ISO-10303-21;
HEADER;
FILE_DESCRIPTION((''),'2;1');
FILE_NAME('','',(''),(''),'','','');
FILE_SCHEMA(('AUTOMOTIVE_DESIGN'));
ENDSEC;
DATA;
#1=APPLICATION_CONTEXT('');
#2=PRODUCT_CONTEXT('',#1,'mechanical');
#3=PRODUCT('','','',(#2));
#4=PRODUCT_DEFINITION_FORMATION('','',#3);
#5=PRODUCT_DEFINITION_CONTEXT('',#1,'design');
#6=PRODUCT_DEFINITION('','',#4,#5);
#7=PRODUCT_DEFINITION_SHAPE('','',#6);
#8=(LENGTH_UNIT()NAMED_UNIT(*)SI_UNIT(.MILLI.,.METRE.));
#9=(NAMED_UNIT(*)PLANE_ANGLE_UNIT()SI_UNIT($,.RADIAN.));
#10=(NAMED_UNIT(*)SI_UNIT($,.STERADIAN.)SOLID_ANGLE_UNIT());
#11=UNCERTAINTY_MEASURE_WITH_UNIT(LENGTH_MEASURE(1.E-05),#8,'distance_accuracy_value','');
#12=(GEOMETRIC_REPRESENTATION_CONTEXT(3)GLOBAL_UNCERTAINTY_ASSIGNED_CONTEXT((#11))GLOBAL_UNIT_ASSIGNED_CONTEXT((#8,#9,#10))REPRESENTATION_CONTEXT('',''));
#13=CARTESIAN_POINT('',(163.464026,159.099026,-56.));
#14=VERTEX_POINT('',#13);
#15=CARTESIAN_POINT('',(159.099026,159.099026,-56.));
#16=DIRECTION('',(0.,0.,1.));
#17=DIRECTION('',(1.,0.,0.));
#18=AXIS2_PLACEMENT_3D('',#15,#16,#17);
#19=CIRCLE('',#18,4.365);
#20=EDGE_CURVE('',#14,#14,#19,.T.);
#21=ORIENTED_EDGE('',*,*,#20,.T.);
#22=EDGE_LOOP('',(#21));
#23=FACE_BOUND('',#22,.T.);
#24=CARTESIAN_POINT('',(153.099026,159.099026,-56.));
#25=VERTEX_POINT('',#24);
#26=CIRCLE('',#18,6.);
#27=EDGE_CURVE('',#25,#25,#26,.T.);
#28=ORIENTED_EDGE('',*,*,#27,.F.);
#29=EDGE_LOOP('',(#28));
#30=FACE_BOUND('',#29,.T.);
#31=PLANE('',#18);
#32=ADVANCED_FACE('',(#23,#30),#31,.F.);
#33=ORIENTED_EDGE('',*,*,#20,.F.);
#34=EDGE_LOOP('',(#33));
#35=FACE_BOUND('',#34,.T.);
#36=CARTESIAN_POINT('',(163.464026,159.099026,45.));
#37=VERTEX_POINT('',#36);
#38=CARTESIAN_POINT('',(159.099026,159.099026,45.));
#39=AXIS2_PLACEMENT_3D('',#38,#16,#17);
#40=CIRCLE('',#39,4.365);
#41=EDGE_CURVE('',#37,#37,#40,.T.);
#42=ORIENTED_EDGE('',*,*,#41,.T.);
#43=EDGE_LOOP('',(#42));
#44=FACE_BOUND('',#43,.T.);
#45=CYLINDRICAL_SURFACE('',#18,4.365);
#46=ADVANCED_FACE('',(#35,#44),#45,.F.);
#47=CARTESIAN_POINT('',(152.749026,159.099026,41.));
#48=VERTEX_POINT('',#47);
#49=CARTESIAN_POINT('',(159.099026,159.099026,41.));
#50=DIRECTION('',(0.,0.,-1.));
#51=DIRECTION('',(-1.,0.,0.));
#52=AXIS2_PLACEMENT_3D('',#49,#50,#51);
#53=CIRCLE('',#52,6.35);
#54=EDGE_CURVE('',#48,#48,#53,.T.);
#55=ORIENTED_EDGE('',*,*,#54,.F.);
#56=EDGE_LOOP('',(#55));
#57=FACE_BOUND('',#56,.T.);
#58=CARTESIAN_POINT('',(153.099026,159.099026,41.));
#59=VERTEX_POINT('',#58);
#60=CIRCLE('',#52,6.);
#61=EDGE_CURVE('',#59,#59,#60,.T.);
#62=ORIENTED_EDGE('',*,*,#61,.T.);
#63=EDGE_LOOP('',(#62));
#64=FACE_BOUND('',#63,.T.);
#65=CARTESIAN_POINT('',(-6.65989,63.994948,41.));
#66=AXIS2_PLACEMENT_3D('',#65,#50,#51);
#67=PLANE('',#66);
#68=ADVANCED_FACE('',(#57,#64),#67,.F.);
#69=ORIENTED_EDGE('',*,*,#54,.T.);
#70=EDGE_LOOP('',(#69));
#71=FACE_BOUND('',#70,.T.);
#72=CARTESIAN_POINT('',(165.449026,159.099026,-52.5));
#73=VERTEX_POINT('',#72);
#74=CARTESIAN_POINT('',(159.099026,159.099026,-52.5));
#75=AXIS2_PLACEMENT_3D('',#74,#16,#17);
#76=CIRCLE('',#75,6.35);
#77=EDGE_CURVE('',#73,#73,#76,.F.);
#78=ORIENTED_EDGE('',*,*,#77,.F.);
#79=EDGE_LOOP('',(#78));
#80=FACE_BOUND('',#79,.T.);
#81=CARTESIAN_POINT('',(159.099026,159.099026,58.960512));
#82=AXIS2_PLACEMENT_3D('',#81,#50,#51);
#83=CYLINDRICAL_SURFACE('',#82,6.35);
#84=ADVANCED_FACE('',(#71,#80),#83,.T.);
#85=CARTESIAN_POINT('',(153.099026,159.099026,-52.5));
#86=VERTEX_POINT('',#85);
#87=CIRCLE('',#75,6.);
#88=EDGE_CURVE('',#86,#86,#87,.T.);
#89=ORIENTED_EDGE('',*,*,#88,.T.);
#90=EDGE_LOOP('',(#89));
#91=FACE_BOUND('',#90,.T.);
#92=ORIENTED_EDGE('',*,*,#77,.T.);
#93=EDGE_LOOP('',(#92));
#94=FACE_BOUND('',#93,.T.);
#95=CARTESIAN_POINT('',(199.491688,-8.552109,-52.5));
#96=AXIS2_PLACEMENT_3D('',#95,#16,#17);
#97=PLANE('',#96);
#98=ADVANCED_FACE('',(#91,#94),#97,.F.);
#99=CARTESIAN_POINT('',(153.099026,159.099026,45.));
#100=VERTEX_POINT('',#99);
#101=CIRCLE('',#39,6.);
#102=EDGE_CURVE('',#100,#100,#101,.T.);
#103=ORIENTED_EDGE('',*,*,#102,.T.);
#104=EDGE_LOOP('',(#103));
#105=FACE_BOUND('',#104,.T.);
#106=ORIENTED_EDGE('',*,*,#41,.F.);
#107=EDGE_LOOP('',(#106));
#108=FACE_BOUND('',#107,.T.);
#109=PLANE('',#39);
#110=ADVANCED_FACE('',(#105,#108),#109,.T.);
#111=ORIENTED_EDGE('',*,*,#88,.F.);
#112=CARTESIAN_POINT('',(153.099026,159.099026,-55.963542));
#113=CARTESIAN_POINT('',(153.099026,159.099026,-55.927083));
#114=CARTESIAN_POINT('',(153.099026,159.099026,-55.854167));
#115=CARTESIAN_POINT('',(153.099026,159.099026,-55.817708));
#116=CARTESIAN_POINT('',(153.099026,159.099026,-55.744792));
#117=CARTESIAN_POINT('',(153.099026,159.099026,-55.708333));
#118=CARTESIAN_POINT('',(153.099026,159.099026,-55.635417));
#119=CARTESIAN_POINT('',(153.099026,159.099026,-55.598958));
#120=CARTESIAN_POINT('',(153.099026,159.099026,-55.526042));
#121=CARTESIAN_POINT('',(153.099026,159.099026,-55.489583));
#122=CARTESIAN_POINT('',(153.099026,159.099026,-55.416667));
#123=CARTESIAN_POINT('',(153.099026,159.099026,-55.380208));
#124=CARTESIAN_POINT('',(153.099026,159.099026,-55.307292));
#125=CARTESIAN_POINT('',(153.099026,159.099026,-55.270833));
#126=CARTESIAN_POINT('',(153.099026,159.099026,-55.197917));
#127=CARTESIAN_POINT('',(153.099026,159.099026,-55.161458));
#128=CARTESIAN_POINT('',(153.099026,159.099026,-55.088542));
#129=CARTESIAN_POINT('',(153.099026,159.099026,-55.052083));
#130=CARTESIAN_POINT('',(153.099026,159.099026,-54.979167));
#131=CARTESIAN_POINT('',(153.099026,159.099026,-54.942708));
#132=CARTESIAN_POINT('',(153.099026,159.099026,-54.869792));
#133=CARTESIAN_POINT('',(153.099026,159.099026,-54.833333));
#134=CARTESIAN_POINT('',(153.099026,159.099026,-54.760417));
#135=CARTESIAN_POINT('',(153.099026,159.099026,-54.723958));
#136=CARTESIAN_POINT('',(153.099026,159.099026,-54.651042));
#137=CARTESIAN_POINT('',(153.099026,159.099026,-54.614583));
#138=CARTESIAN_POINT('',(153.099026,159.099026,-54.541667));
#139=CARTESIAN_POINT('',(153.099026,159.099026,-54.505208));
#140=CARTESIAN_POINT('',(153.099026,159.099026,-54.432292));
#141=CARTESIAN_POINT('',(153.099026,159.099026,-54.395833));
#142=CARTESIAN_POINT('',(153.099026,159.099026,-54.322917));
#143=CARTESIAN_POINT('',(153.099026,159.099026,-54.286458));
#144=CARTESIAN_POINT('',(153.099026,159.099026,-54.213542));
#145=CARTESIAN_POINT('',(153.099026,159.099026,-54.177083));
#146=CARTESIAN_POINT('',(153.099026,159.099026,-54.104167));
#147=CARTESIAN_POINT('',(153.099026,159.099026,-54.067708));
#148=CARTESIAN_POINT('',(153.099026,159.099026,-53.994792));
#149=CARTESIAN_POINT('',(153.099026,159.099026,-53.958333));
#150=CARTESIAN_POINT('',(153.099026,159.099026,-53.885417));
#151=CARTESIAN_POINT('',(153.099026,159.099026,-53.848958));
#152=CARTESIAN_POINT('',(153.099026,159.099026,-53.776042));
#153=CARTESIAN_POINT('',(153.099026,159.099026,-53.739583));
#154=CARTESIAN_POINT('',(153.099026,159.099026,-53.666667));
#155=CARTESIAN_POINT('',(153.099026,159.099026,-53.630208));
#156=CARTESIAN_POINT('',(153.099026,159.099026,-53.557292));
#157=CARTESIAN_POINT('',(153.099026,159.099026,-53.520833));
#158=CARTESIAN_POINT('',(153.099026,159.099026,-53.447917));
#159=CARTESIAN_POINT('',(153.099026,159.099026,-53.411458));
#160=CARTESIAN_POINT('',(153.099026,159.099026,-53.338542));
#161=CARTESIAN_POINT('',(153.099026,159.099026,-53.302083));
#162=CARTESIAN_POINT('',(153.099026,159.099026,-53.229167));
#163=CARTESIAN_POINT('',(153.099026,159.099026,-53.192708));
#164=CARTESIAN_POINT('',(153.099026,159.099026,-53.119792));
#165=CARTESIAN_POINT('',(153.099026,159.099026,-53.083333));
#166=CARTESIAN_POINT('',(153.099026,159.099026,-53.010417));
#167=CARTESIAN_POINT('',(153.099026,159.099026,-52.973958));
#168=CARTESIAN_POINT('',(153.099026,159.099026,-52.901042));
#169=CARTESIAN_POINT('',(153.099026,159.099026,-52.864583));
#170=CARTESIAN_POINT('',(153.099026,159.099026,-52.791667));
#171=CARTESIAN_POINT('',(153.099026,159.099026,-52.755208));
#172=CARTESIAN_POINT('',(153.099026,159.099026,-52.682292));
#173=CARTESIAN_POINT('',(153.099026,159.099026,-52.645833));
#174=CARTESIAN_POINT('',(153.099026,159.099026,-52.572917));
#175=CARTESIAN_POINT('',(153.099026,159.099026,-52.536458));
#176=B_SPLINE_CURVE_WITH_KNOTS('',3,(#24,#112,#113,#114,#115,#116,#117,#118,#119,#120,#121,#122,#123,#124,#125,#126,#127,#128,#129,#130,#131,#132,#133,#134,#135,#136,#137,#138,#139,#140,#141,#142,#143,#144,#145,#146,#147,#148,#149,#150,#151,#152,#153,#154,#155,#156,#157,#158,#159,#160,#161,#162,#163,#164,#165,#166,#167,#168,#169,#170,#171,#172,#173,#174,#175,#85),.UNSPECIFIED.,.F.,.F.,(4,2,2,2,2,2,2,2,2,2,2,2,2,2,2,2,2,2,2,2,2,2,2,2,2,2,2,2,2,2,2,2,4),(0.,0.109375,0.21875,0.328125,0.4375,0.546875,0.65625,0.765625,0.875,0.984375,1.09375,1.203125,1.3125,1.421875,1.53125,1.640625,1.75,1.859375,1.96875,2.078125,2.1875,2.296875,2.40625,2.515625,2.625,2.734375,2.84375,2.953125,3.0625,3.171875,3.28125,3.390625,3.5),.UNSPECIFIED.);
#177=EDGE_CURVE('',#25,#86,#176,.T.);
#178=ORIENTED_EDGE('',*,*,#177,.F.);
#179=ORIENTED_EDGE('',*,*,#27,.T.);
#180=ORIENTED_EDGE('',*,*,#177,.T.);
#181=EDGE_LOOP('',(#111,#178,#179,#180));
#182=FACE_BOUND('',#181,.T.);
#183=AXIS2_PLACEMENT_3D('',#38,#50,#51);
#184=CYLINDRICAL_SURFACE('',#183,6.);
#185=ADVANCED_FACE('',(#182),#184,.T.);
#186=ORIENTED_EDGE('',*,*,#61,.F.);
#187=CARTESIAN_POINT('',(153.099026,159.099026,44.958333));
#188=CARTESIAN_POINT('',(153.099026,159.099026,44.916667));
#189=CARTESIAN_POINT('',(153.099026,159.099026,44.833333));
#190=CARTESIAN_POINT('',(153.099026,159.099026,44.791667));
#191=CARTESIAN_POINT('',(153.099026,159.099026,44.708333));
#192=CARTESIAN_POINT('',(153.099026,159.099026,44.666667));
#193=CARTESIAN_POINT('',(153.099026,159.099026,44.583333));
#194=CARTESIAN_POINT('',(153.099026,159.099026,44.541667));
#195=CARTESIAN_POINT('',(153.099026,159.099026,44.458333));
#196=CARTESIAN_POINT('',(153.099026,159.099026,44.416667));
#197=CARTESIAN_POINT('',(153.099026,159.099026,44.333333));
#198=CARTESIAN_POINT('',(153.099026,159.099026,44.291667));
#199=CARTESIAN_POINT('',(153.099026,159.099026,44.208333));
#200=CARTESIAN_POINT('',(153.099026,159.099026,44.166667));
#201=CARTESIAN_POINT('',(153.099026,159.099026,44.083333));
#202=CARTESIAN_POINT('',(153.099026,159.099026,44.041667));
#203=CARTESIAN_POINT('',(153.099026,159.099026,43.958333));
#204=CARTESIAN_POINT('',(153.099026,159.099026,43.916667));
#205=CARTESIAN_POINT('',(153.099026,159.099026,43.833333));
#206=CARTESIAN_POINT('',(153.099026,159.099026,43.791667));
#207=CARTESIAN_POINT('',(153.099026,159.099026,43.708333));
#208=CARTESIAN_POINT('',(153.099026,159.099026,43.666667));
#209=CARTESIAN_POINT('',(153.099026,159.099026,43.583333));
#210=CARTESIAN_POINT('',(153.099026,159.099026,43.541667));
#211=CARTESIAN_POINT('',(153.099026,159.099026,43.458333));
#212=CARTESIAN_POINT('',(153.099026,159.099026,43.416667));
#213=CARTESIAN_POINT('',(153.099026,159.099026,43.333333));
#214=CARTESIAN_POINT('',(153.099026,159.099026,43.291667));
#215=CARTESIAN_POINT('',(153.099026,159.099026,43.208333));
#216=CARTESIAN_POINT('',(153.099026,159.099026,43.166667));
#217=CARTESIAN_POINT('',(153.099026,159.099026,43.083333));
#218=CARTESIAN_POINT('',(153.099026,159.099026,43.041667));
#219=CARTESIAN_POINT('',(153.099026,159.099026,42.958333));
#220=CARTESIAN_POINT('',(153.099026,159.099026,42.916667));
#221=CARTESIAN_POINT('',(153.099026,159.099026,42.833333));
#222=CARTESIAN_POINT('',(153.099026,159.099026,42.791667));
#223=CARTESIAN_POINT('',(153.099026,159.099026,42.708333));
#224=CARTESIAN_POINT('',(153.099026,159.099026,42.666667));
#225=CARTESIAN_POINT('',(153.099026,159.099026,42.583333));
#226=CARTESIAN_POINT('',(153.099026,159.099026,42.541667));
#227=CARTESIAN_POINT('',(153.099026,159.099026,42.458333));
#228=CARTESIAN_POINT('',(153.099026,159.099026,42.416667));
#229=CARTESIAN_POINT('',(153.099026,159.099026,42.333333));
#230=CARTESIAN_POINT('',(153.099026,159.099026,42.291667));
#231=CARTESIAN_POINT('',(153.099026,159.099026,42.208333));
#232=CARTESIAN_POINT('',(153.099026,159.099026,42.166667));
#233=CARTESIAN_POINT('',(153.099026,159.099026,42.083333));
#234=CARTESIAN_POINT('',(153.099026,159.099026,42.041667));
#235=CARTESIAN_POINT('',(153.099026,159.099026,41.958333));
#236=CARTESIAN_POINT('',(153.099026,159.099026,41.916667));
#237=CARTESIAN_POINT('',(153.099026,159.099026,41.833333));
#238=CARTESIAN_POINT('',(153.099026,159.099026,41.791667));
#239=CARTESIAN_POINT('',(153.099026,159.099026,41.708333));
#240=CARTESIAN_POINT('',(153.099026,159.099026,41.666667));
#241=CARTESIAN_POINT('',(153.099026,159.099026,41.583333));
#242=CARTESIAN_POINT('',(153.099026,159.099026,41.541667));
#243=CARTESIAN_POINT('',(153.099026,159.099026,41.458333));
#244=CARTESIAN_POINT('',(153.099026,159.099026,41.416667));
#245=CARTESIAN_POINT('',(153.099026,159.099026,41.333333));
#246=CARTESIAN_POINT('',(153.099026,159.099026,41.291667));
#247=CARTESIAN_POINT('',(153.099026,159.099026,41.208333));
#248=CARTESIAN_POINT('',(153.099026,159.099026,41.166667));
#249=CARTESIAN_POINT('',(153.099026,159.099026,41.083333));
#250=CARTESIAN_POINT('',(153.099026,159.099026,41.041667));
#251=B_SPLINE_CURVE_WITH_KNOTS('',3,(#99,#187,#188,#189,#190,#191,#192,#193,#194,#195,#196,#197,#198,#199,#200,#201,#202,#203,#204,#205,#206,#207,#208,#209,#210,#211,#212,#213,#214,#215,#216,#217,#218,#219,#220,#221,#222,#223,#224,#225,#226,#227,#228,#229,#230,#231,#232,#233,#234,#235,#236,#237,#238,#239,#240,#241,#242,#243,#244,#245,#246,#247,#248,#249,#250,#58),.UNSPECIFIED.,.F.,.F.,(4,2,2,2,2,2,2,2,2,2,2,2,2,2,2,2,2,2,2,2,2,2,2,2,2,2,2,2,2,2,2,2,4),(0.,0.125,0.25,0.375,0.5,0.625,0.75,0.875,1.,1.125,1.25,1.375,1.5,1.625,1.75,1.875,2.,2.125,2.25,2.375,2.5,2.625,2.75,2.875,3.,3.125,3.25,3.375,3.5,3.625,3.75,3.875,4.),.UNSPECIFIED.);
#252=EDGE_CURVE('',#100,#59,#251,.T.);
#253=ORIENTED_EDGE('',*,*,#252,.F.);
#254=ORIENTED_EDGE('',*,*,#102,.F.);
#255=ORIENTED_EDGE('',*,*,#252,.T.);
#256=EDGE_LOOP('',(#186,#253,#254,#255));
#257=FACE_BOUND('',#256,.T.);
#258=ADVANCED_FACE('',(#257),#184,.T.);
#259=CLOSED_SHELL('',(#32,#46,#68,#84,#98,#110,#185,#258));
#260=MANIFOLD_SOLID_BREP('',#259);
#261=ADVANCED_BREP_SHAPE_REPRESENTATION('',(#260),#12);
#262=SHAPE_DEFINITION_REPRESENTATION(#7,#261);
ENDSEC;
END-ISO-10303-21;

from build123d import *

# Parameters (mm, degrees)
EXTRUDE1_DEPTH          = 45
EXTRUDE1_DEPTH_BACK     = 56
SKETCH1_R               = 6
EXTRUDE2_DEPTH          = 41
EXTRUDE2_DEPTH_BACK     = 52.5
SKETCH2_R               = 6.35
CUT_EXTRUDE1_DEPTH      = 241.588362675
CUT_EXTRUDE1_DEPTH_BACK = 241.588362675
SKETCH3_R               = 4.365


with BuildPart() as part:
    # Sketch1 → Extrude1 (new, two sides: drawn at the far end of the back side and taken through both)
    with BuildSketch(Plane.XY.offset(-EXTRUDE1_DEPTH_BACK)):
        with Locations(Location((159.099025767, 159.099025767, 0), (0, 0, 180))):
            Circle(SKETCH1_R)
    extrude(amount=EXTRUDE1_DEPTH + EXTRUDE1_DEPTH_BACK)

    # Sketch2 → Extrude2 (add, two sides: drawn at the far end of the back side and taken through both)
    with BuildSketch(Plane.XY.offset(-EXTRUDE2_DEPTH_BACK)):
        with Locations(Location((159.099025767, 159.099025767, 0), (0, 0, 180))):
            Circle(SKETCH2_R)
    extrude(amount=EXTRUDE2_DEPTH + EXTRUDE2_DEPTH_BACK)

    # Sketch3 → Cut-Extrude1 (cut, two sides: drawn at the far end of the back side and taken through both)
    with BuildSketch(Plane.XY.offset(-CUT_EXTRUDE1_DEPTH_BACK)):
        with Locations((159.099025767, 159.099025767)):
            Circle(SKETCH3_R)
    extrude(amount=CUT_EXTRUDE1_DEPTH + CUT_EXTRUDE1_DEPTH_BACK, mode=Mode.SUBTRACT)


solid = part.part
